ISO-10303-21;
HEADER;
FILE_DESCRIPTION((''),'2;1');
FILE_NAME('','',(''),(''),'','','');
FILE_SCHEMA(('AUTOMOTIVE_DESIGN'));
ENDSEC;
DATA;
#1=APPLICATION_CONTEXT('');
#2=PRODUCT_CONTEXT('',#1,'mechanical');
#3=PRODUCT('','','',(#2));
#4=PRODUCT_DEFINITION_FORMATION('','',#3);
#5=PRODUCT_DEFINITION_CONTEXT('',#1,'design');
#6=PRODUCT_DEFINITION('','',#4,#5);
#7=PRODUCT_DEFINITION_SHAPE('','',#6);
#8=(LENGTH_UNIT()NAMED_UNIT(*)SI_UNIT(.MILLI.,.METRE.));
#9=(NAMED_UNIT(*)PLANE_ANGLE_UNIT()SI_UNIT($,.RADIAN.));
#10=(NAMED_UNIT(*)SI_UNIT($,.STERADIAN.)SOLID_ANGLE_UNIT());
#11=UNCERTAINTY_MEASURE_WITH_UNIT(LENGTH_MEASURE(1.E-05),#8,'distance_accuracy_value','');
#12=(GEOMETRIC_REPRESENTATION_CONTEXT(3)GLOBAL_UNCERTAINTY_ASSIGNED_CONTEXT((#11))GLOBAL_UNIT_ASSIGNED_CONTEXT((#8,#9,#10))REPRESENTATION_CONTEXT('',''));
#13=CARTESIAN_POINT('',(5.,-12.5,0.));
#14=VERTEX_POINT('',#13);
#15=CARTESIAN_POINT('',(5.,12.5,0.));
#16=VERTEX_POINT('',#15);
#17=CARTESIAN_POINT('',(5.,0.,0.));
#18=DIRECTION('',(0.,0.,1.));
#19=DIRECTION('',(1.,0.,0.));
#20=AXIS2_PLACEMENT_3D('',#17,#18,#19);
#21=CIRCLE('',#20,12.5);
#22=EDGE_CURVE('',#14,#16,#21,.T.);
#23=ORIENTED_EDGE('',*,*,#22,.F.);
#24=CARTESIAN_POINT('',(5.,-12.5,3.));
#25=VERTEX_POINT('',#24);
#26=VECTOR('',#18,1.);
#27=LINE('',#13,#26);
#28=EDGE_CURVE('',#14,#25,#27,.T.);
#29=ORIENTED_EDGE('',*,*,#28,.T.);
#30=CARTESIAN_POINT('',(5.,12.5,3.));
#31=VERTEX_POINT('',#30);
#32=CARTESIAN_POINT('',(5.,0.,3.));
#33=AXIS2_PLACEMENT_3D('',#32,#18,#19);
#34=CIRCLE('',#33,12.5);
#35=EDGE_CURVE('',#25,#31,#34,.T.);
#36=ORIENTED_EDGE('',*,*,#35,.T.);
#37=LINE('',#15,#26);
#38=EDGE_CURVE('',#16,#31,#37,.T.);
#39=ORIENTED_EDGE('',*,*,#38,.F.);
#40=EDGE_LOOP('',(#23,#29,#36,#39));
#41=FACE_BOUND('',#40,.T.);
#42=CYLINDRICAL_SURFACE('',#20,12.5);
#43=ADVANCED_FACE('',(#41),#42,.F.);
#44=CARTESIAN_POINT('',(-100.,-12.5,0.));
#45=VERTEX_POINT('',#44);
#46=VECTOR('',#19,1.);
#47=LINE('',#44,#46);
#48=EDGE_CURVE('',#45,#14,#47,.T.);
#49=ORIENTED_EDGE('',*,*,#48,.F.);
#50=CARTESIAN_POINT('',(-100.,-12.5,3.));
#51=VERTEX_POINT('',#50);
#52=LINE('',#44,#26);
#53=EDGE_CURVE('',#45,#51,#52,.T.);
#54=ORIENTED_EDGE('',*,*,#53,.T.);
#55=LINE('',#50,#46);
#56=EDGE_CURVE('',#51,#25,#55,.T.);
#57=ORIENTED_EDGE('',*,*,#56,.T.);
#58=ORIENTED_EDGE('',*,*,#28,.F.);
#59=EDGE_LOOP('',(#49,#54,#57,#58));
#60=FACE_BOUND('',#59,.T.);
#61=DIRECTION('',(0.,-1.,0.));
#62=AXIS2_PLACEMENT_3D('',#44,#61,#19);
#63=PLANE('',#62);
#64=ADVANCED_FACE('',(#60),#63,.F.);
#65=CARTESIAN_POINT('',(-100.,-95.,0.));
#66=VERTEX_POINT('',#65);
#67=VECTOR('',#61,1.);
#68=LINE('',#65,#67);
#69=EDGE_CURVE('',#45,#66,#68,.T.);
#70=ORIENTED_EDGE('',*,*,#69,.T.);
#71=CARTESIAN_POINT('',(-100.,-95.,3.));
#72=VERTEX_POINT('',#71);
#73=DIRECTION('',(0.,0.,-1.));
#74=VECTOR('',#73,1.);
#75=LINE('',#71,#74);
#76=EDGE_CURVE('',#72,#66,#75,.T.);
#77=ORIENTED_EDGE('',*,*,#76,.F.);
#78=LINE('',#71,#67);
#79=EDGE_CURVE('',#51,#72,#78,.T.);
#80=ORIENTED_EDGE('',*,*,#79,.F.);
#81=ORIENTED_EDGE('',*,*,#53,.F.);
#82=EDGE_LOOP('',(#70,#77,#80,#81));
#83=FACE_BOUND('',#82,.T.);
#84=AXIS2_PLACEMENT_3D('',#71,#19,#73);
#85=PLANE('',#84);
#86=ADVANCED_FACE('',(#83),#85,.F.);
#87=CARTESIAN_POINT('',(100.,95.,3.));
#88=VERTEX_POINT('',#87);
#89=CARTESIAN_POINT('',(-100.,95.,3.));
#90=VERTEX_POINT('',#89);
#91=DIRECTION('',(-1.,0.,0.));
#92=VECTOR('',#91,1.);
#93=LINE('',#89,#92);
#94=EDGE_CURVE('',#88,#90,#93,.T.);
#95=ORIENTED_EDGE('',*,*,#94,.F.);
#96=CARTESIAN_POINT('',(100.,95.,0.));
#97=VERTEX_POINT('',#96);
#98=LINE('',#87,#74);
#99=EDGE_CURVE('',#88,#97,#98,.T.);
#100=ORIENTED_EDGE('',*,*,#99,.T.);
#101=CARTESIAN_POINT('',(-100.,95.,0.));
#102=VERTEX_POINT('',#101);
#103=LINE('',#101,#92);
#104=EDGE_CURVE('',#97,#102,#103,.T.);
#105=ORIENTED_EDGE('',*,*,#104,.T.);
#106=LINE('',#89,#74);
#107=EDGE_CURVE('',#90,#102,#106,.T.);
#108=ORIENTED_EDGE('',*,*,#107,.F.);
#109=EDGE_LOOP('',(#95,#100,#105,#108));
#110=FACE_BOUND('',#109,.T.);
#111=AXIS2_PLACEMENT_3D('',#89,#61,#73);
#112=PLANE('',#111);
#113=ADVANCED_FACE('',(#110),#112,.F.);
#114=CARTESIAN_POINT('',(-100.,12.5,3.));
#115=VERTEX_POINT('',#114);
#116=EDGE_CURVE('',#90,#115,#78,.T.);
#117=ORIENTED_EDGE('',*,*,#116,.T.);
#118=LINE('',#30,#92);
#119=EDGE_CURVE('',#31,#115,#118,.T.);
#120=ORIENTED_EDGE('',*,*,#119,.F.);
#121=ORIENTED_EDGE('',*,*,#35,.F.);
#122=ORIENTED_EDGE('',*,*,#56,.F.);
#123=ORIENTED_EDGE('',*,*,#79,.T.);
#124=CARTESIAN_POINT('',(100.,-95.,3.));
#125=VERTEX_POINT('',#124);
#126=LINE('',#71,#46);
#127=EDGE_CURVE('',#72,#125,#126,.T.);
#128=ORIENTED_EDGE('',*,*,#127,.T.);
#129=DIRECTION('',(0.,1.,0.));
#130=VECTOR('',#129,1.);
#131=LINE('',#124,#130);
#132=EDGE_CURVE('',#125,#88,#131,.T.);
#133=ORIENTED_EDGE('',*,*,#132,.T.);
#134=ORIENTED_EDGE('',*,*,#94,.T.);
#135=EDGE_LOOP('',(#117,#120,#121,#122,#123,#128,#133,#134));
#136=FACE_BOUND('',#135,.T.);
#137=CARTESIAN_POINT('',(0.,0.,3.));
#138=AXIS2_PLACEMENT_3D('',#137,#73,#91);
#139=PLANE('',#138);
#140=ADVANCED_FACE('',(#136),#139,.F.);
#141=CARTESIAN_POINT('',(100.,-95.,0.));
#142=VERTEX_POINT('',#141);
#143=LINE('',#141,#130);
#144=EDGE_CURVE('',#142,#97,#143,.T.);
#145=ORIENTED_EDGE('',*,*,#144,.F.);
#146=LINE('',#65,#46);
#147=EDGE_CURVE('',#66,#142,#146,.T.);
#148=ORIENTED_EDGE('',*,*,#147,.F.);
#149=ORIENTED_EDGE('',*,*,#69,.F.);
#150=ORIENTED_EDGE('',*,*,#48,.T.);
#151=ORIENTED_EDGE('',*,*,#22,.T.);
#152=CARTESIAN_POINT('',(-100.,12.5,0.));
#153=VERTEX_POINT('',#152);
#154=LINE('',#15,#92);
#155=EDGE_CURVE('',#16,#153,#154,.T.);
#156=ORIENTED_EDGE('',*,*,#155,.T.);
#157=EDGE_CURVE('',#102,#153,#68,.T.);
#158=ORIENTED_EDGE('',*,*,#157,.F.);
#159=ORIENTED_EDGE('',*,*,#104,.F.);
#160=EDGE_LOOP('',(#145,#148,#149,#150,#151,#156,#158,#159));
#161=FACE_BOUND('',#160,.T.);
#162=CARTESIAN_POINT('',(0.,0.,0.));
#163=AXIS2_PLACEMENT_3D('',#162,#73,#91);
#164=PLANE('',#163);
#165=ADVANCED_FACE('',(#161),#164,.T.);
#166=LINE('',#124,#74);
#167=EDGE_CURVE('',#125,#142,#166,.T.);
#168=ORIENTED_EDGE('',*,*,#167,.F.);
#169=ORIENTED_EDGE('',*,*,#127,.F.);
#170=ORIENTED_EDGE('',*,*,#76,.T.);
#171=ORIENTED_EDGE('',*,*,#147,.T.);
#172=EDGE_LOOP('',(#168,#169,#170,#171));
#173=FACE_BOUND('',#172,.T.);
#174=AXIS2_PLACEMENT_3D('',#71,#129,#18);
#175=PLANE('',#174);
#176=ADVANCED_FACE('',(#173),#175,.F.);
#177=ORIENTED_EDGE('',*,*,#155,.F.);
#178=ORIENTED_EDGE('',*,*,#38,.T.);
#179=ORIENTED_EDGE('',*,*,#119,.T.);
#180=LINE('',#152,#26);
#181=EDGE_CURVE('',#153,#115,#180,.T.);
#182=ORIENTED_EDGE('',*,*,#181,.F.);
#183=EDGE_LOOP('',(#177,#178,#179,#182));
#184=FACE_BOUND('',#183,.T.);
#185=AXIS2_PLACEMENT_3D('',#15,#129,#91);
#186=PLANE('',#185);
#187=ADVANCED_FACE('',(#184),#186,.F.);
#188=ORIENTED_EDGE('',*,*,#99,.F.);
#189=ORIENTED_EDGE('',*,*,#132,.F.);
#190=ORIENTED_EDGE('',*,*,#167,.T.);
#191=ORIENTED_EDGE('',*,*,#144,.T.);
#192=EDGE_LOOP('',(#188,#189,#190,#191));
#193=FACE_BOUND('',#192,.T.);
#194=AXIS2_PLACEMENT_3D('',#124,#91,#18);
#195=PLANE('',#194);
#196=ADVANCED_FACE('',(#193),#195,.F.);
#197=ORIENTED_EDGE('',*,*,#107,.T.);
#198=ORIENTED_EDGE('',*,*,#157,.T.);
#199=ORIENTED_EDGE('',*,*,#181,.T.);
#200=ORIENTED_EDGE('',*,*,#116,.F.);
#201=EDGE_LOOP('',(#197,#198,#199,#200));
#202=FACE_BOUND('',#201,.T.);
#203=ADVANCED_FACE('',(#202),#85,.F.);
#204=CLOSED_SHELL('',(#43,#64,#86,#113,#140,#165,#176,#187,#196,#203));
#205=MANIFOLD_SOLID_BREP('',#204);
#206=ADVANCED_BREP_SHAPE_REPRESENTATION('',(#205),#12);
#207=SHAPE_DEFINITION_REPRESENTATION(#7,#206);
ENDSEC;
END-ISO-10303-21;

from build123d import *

# Parameters (mm, degrees)
CROQUIS1_W              = 200
CROQUIS1_H              = 190
SALIENTE_EXTRUIR1_DEPTH = 3
CORTAR_EXTRUIR1_DEPTH   = 3


with BuildPart() as part:
    # Croquis1 → Saliente-Extruir1 (new body)
    with BuildSketch(Plane.XY):
        Rectangle(CROQUIS1_W, CROQUIS1_H)
    extrude(amount=SALIENTE_EXTRUIR1_DEPTH)

    # Croquis2 → Cortar-Extruir1 (cut)
    with BuildSketch(Plane.XY.offset(3)):
        with BuildLine():
            Line((5, 12.5), (-100, 12.5))
            Line((-100, 12.5), (-100, 0))
            Line((-100, 0), (-100, -12.5))
            Line((-100, -12.5), (5, -12.5))
            ThreePointArc((5, -12.5), (17.5, 0), (5, 12.5))
        make_face()
    extrude(amount=-CORTAR_EXTRUIR1_DEPTH, mode=Mode.SUBTRACT)


solid = part.part
